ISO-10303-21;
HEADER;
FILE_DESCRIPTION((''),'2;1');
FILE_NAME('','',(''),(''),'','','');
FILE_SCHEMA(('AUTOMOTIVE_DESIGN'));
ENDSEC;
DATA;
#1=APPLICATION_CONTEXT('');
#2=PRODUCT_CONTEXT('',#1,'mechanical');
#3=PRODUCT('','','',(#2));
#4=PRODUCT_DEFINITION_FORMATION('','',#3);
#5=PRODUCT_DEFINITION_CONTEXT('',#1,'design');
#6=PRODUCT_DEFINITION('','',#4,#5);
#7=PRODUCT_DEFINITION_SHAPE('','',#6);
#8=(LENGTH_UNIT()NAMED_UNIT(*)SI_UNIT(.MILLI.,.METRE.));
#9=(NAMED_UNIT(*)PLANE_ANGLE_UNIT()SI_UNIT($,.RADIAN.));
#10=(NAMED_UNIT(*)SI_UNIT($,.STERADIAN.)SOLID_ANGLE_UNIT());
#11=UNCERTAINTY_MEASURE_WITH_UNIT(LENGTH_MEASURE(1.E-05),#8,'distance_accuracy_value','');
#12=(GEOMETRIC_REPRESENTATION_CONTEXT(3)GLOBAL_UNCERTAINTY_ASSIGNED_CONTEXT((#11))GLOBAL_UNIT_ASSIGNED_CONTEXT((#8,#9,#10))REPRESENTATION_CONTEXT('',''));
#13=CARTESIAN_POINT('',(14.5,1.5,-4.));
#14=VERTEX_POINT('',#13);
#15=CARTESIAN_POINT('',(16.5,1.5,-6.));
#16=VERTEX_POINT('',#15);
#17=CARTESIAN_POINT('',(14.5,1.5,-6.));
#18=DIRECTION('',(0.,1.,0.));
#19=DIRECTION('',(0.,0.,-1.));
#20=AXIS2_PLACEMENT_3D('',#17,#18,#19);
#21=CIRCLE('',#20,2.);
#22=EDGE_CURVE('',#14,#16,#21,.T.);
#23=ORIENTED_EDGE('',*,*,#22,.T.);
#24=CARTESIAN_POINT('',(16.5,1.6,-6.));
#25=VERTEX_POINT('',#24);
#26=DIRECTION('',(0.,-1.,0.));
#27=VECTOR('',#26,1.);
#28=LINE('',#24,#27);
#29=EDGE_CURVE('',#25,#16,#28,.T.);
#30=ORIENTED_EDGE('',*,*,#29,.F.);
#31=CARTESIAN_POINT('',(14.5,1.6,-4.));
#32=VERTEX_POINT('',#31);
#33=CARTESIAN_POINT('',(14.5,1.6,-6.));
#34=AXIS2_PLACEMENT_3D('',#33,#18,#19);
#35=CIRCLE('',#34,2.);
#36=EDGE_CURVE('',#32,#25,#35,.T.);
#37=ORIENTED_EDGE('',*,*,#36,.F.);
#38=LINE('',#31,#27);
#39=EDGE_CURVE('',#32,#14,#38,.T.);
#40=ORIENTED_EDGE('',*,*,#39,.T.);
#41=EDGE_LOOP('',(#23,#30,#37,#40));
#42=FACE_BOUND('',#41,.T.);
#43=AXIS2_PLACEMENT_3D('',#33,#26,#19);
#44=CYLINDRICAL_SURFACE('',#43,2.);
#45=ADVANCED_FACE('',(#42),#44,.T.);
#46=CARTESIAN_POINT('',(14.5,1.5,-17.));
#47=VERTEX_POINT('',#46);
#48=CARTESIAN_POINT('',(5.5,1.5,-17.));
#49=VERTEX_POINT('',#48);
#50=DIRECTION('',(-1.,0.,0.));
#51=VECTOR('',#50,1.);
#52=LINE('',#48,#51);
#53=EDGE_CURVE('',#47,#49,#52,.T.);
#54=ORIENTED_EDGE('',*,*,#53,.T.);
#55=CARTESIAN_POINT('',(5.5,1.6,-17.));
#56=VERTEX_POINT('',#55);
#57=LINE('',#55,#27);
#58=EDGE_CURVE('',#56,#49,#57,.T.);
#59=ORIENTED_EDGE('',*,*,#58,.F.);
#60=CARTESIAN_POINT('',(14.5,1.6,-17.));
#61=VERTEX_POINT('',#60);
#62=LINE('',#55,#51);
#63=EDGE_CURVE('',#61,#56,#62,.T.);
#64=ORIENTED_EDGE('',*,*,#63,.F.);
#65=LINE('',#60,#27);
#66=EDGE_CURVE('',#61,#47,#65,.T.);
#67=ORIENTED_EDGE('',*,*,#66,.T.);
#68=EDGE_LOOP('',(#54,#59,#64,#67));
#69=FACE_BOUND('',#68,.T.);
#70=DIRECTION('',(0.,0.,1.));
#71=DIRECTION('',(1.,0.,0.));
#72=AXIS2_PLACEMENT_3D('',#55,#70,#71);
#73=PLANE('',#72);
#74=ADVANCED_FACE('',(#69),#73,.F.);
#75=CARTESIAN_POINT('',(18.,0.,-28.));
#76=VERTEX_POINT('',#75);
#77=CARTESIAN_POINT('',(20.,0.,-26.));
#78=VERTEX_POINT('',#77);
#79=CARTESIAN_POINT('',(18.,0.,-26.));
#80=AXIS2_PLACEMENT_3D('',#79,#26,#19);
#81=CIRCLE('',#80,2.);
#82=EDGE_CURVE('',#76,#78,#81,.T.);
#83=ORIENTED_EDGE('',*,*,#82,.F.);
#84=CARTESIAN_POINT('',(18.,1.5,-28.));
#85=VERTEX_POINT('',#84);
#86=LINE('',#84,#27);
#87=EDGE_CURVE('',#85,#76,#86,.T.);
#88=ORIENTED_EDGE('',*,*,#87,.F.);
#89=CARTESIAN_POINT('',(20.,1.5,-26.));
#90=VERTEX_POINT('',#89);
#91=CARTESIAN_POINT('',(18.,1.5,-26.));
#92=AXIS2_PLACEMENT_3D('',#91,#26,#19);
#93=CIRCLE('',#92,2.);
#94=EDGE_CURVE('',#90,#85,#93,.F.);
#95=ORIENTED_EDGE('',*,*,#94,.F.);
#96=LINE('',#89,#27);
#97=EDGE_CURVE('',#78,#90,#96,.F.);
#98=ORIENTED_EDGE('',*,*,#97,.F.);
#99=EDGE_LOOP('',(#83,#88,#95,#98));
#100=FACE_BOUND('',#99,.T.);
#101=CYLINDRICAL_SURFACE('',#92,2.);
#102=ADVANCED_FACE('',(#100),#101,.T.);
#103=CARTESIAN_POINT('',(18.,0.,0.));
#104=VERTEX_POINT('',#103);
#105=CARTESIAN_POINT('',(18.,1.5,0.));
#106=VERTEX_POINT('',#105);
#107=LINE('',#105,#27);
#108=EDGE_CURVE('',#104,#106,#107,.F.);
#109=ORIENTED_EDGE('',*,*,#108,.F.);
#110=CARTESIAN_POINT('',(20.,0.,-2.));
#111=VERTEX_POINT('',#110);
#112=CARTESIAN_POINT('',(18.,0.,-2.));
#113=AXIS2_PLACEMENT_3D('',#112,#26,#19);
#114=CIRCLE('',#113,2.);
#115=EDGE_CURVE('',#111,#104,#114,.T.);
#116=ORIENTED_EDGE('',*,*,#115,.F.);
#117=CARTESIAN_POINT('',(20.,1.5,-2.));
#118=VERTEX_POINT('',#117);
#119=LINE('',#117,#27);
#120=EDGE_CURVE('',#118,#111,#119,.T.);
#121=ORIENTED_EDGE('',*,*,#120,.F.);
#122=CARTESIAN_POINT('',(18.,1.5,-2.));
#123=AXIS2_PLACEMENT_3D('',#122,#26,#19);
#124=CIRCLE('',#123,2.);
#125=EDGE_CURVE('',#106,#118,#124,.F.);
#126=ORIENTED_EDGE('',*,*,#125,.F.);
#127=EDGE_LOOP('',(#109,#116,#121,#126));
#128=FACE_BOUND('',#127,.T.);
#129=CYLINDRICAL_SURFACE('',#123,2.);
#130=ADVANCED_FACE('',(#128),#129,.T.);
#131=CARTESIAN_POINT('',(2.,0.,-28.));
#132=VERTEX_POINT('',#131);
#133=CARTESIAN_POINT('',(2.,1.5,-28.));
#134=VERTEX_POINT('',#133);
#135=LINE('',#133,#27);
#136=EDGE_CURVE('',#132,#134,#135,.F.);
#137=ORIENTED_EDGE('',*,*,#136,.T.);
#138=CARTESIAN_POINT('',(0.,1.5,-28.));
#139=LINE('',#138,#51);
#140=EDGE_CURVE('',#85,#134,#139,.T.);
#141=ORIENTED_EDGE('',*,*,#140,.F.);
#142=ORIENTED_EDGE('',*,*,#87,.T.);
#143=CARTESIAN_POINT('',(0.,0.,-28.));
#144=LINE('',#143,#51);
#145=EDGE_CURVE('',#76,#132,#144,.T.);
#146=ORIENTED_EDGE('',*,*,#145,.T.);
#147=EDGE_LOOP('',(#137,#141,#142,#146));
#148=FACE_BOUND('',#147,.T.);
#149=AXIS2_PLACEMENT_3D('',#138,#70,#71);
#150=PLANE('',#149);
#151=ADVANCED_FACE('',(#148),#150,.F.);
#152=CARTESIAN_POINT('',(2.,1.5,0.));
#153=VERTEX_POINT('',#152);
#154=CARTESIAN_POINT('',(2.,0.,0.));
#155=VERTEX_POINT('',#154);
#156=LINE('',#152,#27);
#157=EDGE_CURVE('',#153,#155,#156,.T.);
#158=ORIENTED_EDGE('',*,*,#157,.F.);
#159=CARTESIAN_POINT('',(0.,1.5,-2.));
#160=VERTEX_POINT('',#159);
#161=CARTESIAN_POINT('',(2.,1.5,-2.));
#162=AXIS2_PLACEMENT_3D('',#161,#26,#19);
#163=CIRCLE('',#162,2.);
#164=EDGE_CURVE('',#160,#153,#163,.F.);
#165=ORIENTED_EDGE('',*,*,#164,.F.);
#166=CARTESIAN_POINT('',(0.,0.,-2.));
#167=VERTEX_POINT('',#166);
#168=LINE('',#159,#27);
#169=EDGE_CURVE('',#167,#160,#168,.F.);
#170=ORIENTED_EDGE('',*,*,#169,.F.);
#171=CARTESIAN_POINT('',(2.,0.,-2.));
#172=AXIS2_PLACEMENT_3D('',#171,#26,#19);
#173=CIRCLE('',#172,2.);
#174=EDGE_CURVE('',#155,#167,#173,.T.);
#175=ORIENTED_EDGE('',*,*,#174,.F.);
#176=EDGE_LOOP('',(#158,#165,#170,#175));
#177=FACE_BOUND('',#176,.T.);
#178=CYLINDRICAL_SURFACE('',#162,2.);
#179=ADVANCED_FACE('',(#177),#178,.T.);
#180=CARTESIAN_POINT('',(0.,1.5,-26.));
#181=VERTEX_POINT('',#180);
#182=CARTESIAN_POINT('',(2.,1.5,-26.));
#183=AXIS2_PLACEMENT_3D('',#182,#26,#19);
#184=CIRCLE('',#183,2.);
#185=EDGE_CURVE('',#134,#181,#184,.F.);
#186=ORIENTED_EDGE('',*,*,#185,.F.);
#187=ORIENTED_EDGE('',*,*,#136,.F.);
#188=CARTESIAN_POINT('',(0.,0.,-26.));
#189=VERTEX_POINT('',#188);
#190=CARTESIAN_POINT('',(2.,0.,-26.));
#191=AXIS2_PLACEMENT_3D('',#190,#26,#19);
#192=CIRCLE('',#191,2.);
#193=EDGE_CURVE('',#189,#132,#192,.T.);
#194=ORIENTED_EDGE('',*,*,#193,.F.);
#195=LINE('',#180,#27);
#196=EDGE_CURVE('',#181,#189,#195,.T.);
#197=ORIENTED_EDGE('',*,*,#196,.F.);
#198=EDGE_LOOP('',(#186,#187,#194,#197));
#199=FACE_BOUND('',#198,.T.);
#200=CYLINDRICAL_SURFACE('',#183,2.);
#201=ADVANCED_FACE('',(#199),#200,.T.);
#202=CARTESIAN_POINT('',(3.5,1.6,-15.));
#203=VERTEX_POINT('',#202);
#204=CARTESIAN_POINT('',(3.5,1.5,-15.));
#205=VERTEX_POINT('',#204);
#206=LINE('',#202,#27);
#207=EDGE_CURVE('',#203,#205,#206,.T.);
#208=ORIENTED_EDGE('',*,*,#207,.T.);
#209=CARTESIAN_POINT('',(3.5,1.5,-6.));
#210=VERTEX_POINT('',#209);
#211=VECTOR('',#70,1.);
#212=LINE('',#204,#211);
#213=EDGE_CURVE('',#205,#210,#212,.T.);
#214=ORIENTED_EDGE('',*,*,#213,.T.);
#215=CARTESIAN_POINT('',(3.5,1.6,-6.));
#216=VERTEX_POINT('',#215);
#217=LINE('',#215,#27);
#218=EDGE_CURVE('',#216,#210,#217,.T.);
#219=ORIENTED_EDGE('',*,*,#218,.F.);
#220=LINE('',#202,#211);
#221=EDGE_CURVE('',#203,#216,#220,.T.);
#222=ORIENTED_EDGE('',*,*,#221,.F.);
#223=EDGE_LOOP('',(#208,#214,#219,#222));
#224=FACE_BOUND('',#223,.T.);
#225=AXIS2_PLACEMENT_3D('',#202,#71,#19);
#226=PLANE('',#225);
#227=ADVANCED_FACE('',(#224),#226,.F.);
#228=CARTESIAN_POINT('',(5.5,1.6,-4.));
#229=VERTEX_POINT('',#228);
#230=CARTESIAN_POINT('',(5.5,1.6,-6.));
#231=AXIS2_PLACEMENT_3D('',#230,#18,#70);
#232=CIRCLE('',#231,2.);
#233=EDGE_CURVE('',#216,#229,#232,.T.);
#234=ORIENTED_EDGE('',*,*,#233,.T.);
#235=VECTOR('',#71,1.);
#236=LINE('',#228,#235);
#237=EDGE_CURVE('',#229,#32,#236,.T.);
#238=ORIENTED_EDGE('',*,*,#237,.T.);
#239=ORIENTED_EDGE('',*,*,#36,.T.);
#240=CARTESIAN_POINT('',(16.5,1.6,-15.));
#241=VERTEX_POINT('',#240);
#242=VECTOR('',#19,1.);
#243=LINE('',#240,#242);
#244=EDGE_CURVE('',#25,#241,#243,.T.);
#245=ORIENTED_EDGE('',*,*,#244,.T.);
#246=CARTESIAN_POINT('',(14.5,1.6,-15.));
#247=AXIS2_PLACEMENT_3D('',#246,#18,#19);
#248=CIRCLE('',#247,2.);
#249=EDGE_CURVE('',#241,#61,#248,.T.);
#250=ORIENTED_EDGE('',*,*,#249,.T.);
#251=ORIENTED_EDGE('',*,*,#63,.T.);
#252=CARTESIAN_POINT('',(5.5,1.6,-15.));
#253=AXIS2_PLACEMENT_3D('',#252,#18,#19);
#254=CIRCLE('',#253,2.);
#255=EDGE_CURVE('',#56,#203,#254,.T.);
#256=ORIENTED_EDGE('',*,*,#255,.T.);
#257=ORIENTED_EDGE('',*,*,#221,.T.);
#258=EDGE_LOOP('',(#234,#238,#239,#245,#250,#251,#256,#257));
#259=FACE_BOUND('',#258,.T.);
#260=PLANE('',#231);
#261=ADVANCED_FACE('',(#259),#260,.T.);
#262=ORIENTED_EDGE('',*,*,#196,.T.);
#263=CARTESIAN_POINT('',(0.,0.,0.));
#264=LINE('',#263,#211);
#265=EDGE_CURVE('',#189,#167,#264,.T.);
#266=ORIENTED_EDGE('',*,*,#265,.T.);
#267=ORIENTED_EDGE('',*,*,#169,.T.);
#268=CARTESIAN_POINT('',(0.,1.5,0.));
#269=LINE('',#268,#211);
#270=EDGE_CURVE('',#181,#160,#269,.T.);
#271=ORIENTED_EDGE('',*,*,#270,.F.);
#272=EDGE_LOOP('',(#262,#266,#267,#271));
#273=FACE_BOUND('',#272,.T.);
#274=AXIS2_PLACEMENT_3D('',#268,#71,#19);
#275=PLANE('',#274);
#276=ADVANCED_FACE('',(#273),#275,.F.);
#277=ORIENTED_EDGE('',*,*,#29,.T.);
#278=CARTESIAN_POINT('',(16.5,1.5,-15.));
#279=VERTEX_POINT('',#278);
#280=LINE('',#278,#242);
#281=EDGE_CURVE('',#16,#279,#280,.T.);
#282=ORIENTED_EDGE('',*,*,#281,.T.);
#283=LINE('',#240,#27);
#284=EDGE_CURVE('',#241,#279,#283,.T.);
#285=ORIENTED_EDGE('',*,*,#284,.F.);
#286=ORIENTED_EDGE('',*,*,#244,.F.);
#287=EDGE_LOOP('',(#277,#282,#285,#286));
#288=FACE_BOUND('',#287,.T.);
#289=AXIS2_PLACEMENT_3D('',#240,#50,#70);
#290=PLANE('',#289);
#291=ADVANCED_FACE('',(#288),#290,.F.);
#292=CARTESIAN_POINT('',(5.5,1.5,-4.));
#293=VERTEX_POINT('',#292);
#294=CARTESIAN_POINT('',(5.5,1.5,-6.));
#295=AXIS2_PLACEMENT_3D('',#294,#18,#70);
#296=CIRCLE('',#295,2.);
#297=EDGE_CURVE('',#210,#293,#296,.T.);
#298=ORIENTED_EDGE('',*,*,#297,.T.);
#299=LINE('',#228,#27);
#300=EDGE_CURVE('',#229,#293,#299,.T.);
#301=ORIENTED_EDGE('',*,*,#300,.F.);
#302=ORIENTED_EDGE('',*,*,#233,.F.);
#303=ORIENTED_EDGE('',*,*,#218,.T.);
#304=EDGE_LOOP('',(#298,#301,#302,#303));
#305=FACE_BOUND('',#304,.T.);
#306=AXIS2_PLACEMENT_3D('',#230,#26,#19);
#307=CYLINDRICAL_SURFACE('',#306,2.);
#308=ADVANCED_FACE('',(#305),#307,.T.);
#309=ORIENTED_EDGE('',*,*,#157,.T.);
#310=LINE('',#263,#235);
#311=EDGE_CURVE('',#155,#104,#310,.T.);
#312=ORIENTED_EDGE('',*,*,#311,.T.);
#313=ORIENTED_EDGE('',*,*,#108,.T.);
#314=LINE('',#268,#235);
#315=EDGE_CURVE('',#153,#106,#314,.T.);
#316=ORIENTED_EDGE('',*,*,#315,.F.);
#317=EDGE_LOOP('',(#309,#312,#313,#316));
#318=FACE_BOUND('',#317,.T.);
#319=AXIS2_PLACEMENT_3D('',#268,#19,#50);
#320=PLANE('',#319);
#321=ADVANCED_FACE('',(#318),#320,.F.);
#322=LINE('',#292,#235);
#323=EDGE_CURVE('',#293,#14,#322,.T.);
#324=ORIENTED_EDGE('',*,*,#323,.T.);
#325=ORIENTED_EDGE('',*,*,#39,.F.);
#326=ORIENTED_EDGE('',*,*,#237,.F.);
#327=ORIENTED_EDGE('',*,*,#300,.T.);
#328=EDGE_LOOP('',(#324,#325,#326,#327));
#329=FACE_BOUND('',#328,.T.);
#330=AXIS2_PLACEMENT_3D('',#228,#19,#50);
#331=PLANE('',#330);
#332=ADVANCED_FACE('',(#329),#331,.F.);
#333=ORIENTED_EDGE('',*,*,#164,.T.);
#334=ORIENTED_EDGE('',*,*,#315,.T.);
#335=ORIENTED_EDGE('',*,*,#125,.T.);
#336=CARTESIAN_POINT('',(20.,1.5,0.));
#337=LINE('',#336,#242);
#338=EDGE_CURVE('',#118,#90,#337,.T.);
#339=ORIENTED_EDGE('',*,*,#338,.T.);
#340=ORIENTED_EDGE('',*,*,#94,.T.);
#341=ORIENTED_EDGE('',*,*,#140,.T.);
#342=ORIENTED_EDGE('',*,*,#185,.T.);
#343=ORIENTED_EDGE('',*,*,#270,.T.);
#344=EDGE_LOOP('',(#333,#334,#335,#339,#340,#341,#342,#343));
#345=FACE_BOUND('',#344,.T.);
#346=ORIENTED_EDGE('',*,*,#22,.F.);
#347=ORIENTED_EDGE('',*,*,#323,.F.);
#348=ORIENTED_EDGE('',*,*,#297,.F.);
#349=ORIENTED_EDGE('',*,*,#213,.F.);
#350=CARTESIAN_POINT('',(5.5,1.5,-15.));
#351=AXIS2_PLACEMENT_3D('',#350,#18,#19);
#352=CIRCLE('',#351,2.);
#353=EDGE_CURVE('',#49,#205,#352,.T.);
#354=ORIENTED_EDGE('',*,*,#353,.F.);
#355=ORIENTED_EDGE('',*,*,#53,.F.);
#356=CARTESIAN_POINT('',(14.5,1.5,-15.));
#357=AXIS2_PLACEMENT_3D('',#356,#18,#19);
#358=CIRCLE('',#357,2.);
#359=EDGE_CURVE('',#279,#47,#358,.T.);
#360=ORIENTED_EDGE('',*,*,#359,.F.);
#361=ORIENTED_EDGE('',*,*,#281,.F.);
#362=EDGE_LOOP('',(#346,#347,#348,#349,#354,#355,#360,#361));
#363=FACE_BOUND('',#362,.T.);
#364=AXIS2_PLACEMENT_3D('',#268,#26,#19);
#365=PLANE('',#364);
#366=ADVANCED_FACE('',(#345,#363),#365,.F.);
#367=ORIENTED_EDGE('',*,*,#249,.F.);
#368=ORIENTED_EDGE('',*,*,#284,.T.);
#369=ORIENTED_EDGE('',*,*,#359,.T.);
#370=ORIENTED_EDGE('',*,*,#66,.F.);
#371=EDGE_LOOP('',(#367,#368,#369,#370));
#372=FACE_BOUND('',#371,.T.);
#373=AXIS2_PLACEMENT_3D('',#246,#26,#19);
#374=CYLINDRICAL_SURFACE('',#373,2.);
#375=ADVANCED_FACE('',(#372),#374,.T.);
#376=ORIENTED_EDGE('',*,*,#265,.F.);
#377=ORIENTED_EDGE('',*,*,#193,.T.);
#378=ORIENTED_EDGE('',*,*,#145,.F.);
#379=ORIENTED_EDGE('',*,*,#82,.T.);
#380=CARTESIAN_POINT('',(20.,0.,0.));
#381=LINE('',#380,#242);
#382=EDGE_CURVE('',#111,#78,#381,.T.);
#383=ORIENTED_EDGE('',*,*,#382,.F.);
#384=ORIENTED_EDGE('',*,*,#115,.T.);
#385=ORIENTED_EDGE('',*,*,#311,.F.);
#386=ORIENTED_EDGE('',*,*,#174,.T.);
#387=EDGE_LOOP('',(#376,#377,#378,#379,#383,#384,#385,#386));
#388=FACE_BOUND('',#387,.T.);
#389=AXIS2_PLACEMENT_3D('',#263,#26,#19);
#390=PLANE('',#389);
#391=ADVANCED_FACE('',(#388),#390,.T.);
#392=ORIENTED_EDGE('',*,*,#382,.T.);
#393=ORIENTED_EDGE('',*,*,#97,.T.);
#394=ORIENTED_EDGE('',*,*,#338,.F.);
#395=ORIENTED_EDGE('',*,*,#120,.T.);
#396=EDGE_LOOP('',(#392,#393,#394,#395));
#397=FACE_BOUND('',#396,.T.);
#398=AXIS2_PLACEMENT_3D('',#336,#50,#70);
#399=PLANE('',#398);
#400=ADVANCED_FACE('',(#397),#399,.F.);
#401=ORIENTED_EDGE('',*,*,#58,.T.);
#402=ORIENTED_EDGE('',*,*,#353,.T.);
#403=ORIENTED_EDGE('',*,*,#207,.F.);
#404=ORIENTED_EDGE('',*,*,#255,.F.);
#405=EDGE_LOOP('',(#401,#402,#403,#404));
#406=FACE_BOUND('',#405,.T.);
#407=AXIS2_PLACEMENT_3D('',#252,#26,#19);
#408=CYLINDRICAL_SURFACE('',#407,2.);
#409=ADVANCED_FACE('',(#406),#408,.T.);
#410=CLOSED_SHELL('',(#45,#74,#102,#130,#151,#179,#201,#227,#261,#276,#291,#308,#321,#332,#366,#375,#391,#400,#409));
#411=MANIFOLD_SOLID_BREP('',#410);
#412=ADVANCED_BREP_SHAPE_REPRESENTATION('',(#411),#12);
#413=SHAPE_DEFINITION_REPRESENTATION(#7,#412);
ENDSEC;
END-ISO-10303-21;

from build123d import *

# Parameters (mm, degrees)
SKETCH1_W           = 20
SKETCH1_H           = 28
BOSS_EXTRUDE1_DEPTH = 1.5
BOSS_EXTRUDE2_DEPTH = 0.1
FILLET1_R           = 2


with BuildPart() as part:
    # Sketch1 → Boss-Extrude1 (new body)
    with BuildSketch(Plane(origin=(0, 0, 0), x_dir=(1, 0, 0), z_dir=(0, 1, 0))):
        with Locations((10, 14)):
            Rectangle(SKETCH1_W, SKETCH1_H)
    extrude(amount=BOSS_EXTRUDE1_DEPTH)

    # Sketch2 → Boss-Extrude2 (add)
    with BuildSketch(Plane(origin=(0, 1.5, 0), x_dir=(1, 0, 0), z_dir=(0, 1, 0))):
        with BuildLine():
            Line((5.5, 17), (14.5, 17))
            ThreePointArc((14.5, 17), (15.914213562, 16.414213562), (16.5, 15))
            Line((16.5, 15), (16.5, 6))
            ThreePointArc((16.5, 6), (15.914213562, 4.585786438), (14.5, 4))
            Line((14.5, 4), (5.5, 4))
            ThreePointArc((5.5, 4), (4.085786438, 4.585786438), (3.5, 6))
            Line((3.5, 6), (3.5, 15))
            ThreePointArc((3.5, 15), (4.085786438, 16.414213562), (5.5, 17))
        make_face()
    extrude(amount=BOSS_EXTRUDE2_DEPTH)

    # Fillet1
    fillet1_edges = [part.edges().sort_by_distance(p)[0] for p in [
        (0, 0.75, -28),
        (20, 0.75, -28),
        (20, 0.75, 0),
        (0, 0.75, 0),
    ]]
    fillet(fillet1_edges, radius=FILLET1_R)


solid = part.part
